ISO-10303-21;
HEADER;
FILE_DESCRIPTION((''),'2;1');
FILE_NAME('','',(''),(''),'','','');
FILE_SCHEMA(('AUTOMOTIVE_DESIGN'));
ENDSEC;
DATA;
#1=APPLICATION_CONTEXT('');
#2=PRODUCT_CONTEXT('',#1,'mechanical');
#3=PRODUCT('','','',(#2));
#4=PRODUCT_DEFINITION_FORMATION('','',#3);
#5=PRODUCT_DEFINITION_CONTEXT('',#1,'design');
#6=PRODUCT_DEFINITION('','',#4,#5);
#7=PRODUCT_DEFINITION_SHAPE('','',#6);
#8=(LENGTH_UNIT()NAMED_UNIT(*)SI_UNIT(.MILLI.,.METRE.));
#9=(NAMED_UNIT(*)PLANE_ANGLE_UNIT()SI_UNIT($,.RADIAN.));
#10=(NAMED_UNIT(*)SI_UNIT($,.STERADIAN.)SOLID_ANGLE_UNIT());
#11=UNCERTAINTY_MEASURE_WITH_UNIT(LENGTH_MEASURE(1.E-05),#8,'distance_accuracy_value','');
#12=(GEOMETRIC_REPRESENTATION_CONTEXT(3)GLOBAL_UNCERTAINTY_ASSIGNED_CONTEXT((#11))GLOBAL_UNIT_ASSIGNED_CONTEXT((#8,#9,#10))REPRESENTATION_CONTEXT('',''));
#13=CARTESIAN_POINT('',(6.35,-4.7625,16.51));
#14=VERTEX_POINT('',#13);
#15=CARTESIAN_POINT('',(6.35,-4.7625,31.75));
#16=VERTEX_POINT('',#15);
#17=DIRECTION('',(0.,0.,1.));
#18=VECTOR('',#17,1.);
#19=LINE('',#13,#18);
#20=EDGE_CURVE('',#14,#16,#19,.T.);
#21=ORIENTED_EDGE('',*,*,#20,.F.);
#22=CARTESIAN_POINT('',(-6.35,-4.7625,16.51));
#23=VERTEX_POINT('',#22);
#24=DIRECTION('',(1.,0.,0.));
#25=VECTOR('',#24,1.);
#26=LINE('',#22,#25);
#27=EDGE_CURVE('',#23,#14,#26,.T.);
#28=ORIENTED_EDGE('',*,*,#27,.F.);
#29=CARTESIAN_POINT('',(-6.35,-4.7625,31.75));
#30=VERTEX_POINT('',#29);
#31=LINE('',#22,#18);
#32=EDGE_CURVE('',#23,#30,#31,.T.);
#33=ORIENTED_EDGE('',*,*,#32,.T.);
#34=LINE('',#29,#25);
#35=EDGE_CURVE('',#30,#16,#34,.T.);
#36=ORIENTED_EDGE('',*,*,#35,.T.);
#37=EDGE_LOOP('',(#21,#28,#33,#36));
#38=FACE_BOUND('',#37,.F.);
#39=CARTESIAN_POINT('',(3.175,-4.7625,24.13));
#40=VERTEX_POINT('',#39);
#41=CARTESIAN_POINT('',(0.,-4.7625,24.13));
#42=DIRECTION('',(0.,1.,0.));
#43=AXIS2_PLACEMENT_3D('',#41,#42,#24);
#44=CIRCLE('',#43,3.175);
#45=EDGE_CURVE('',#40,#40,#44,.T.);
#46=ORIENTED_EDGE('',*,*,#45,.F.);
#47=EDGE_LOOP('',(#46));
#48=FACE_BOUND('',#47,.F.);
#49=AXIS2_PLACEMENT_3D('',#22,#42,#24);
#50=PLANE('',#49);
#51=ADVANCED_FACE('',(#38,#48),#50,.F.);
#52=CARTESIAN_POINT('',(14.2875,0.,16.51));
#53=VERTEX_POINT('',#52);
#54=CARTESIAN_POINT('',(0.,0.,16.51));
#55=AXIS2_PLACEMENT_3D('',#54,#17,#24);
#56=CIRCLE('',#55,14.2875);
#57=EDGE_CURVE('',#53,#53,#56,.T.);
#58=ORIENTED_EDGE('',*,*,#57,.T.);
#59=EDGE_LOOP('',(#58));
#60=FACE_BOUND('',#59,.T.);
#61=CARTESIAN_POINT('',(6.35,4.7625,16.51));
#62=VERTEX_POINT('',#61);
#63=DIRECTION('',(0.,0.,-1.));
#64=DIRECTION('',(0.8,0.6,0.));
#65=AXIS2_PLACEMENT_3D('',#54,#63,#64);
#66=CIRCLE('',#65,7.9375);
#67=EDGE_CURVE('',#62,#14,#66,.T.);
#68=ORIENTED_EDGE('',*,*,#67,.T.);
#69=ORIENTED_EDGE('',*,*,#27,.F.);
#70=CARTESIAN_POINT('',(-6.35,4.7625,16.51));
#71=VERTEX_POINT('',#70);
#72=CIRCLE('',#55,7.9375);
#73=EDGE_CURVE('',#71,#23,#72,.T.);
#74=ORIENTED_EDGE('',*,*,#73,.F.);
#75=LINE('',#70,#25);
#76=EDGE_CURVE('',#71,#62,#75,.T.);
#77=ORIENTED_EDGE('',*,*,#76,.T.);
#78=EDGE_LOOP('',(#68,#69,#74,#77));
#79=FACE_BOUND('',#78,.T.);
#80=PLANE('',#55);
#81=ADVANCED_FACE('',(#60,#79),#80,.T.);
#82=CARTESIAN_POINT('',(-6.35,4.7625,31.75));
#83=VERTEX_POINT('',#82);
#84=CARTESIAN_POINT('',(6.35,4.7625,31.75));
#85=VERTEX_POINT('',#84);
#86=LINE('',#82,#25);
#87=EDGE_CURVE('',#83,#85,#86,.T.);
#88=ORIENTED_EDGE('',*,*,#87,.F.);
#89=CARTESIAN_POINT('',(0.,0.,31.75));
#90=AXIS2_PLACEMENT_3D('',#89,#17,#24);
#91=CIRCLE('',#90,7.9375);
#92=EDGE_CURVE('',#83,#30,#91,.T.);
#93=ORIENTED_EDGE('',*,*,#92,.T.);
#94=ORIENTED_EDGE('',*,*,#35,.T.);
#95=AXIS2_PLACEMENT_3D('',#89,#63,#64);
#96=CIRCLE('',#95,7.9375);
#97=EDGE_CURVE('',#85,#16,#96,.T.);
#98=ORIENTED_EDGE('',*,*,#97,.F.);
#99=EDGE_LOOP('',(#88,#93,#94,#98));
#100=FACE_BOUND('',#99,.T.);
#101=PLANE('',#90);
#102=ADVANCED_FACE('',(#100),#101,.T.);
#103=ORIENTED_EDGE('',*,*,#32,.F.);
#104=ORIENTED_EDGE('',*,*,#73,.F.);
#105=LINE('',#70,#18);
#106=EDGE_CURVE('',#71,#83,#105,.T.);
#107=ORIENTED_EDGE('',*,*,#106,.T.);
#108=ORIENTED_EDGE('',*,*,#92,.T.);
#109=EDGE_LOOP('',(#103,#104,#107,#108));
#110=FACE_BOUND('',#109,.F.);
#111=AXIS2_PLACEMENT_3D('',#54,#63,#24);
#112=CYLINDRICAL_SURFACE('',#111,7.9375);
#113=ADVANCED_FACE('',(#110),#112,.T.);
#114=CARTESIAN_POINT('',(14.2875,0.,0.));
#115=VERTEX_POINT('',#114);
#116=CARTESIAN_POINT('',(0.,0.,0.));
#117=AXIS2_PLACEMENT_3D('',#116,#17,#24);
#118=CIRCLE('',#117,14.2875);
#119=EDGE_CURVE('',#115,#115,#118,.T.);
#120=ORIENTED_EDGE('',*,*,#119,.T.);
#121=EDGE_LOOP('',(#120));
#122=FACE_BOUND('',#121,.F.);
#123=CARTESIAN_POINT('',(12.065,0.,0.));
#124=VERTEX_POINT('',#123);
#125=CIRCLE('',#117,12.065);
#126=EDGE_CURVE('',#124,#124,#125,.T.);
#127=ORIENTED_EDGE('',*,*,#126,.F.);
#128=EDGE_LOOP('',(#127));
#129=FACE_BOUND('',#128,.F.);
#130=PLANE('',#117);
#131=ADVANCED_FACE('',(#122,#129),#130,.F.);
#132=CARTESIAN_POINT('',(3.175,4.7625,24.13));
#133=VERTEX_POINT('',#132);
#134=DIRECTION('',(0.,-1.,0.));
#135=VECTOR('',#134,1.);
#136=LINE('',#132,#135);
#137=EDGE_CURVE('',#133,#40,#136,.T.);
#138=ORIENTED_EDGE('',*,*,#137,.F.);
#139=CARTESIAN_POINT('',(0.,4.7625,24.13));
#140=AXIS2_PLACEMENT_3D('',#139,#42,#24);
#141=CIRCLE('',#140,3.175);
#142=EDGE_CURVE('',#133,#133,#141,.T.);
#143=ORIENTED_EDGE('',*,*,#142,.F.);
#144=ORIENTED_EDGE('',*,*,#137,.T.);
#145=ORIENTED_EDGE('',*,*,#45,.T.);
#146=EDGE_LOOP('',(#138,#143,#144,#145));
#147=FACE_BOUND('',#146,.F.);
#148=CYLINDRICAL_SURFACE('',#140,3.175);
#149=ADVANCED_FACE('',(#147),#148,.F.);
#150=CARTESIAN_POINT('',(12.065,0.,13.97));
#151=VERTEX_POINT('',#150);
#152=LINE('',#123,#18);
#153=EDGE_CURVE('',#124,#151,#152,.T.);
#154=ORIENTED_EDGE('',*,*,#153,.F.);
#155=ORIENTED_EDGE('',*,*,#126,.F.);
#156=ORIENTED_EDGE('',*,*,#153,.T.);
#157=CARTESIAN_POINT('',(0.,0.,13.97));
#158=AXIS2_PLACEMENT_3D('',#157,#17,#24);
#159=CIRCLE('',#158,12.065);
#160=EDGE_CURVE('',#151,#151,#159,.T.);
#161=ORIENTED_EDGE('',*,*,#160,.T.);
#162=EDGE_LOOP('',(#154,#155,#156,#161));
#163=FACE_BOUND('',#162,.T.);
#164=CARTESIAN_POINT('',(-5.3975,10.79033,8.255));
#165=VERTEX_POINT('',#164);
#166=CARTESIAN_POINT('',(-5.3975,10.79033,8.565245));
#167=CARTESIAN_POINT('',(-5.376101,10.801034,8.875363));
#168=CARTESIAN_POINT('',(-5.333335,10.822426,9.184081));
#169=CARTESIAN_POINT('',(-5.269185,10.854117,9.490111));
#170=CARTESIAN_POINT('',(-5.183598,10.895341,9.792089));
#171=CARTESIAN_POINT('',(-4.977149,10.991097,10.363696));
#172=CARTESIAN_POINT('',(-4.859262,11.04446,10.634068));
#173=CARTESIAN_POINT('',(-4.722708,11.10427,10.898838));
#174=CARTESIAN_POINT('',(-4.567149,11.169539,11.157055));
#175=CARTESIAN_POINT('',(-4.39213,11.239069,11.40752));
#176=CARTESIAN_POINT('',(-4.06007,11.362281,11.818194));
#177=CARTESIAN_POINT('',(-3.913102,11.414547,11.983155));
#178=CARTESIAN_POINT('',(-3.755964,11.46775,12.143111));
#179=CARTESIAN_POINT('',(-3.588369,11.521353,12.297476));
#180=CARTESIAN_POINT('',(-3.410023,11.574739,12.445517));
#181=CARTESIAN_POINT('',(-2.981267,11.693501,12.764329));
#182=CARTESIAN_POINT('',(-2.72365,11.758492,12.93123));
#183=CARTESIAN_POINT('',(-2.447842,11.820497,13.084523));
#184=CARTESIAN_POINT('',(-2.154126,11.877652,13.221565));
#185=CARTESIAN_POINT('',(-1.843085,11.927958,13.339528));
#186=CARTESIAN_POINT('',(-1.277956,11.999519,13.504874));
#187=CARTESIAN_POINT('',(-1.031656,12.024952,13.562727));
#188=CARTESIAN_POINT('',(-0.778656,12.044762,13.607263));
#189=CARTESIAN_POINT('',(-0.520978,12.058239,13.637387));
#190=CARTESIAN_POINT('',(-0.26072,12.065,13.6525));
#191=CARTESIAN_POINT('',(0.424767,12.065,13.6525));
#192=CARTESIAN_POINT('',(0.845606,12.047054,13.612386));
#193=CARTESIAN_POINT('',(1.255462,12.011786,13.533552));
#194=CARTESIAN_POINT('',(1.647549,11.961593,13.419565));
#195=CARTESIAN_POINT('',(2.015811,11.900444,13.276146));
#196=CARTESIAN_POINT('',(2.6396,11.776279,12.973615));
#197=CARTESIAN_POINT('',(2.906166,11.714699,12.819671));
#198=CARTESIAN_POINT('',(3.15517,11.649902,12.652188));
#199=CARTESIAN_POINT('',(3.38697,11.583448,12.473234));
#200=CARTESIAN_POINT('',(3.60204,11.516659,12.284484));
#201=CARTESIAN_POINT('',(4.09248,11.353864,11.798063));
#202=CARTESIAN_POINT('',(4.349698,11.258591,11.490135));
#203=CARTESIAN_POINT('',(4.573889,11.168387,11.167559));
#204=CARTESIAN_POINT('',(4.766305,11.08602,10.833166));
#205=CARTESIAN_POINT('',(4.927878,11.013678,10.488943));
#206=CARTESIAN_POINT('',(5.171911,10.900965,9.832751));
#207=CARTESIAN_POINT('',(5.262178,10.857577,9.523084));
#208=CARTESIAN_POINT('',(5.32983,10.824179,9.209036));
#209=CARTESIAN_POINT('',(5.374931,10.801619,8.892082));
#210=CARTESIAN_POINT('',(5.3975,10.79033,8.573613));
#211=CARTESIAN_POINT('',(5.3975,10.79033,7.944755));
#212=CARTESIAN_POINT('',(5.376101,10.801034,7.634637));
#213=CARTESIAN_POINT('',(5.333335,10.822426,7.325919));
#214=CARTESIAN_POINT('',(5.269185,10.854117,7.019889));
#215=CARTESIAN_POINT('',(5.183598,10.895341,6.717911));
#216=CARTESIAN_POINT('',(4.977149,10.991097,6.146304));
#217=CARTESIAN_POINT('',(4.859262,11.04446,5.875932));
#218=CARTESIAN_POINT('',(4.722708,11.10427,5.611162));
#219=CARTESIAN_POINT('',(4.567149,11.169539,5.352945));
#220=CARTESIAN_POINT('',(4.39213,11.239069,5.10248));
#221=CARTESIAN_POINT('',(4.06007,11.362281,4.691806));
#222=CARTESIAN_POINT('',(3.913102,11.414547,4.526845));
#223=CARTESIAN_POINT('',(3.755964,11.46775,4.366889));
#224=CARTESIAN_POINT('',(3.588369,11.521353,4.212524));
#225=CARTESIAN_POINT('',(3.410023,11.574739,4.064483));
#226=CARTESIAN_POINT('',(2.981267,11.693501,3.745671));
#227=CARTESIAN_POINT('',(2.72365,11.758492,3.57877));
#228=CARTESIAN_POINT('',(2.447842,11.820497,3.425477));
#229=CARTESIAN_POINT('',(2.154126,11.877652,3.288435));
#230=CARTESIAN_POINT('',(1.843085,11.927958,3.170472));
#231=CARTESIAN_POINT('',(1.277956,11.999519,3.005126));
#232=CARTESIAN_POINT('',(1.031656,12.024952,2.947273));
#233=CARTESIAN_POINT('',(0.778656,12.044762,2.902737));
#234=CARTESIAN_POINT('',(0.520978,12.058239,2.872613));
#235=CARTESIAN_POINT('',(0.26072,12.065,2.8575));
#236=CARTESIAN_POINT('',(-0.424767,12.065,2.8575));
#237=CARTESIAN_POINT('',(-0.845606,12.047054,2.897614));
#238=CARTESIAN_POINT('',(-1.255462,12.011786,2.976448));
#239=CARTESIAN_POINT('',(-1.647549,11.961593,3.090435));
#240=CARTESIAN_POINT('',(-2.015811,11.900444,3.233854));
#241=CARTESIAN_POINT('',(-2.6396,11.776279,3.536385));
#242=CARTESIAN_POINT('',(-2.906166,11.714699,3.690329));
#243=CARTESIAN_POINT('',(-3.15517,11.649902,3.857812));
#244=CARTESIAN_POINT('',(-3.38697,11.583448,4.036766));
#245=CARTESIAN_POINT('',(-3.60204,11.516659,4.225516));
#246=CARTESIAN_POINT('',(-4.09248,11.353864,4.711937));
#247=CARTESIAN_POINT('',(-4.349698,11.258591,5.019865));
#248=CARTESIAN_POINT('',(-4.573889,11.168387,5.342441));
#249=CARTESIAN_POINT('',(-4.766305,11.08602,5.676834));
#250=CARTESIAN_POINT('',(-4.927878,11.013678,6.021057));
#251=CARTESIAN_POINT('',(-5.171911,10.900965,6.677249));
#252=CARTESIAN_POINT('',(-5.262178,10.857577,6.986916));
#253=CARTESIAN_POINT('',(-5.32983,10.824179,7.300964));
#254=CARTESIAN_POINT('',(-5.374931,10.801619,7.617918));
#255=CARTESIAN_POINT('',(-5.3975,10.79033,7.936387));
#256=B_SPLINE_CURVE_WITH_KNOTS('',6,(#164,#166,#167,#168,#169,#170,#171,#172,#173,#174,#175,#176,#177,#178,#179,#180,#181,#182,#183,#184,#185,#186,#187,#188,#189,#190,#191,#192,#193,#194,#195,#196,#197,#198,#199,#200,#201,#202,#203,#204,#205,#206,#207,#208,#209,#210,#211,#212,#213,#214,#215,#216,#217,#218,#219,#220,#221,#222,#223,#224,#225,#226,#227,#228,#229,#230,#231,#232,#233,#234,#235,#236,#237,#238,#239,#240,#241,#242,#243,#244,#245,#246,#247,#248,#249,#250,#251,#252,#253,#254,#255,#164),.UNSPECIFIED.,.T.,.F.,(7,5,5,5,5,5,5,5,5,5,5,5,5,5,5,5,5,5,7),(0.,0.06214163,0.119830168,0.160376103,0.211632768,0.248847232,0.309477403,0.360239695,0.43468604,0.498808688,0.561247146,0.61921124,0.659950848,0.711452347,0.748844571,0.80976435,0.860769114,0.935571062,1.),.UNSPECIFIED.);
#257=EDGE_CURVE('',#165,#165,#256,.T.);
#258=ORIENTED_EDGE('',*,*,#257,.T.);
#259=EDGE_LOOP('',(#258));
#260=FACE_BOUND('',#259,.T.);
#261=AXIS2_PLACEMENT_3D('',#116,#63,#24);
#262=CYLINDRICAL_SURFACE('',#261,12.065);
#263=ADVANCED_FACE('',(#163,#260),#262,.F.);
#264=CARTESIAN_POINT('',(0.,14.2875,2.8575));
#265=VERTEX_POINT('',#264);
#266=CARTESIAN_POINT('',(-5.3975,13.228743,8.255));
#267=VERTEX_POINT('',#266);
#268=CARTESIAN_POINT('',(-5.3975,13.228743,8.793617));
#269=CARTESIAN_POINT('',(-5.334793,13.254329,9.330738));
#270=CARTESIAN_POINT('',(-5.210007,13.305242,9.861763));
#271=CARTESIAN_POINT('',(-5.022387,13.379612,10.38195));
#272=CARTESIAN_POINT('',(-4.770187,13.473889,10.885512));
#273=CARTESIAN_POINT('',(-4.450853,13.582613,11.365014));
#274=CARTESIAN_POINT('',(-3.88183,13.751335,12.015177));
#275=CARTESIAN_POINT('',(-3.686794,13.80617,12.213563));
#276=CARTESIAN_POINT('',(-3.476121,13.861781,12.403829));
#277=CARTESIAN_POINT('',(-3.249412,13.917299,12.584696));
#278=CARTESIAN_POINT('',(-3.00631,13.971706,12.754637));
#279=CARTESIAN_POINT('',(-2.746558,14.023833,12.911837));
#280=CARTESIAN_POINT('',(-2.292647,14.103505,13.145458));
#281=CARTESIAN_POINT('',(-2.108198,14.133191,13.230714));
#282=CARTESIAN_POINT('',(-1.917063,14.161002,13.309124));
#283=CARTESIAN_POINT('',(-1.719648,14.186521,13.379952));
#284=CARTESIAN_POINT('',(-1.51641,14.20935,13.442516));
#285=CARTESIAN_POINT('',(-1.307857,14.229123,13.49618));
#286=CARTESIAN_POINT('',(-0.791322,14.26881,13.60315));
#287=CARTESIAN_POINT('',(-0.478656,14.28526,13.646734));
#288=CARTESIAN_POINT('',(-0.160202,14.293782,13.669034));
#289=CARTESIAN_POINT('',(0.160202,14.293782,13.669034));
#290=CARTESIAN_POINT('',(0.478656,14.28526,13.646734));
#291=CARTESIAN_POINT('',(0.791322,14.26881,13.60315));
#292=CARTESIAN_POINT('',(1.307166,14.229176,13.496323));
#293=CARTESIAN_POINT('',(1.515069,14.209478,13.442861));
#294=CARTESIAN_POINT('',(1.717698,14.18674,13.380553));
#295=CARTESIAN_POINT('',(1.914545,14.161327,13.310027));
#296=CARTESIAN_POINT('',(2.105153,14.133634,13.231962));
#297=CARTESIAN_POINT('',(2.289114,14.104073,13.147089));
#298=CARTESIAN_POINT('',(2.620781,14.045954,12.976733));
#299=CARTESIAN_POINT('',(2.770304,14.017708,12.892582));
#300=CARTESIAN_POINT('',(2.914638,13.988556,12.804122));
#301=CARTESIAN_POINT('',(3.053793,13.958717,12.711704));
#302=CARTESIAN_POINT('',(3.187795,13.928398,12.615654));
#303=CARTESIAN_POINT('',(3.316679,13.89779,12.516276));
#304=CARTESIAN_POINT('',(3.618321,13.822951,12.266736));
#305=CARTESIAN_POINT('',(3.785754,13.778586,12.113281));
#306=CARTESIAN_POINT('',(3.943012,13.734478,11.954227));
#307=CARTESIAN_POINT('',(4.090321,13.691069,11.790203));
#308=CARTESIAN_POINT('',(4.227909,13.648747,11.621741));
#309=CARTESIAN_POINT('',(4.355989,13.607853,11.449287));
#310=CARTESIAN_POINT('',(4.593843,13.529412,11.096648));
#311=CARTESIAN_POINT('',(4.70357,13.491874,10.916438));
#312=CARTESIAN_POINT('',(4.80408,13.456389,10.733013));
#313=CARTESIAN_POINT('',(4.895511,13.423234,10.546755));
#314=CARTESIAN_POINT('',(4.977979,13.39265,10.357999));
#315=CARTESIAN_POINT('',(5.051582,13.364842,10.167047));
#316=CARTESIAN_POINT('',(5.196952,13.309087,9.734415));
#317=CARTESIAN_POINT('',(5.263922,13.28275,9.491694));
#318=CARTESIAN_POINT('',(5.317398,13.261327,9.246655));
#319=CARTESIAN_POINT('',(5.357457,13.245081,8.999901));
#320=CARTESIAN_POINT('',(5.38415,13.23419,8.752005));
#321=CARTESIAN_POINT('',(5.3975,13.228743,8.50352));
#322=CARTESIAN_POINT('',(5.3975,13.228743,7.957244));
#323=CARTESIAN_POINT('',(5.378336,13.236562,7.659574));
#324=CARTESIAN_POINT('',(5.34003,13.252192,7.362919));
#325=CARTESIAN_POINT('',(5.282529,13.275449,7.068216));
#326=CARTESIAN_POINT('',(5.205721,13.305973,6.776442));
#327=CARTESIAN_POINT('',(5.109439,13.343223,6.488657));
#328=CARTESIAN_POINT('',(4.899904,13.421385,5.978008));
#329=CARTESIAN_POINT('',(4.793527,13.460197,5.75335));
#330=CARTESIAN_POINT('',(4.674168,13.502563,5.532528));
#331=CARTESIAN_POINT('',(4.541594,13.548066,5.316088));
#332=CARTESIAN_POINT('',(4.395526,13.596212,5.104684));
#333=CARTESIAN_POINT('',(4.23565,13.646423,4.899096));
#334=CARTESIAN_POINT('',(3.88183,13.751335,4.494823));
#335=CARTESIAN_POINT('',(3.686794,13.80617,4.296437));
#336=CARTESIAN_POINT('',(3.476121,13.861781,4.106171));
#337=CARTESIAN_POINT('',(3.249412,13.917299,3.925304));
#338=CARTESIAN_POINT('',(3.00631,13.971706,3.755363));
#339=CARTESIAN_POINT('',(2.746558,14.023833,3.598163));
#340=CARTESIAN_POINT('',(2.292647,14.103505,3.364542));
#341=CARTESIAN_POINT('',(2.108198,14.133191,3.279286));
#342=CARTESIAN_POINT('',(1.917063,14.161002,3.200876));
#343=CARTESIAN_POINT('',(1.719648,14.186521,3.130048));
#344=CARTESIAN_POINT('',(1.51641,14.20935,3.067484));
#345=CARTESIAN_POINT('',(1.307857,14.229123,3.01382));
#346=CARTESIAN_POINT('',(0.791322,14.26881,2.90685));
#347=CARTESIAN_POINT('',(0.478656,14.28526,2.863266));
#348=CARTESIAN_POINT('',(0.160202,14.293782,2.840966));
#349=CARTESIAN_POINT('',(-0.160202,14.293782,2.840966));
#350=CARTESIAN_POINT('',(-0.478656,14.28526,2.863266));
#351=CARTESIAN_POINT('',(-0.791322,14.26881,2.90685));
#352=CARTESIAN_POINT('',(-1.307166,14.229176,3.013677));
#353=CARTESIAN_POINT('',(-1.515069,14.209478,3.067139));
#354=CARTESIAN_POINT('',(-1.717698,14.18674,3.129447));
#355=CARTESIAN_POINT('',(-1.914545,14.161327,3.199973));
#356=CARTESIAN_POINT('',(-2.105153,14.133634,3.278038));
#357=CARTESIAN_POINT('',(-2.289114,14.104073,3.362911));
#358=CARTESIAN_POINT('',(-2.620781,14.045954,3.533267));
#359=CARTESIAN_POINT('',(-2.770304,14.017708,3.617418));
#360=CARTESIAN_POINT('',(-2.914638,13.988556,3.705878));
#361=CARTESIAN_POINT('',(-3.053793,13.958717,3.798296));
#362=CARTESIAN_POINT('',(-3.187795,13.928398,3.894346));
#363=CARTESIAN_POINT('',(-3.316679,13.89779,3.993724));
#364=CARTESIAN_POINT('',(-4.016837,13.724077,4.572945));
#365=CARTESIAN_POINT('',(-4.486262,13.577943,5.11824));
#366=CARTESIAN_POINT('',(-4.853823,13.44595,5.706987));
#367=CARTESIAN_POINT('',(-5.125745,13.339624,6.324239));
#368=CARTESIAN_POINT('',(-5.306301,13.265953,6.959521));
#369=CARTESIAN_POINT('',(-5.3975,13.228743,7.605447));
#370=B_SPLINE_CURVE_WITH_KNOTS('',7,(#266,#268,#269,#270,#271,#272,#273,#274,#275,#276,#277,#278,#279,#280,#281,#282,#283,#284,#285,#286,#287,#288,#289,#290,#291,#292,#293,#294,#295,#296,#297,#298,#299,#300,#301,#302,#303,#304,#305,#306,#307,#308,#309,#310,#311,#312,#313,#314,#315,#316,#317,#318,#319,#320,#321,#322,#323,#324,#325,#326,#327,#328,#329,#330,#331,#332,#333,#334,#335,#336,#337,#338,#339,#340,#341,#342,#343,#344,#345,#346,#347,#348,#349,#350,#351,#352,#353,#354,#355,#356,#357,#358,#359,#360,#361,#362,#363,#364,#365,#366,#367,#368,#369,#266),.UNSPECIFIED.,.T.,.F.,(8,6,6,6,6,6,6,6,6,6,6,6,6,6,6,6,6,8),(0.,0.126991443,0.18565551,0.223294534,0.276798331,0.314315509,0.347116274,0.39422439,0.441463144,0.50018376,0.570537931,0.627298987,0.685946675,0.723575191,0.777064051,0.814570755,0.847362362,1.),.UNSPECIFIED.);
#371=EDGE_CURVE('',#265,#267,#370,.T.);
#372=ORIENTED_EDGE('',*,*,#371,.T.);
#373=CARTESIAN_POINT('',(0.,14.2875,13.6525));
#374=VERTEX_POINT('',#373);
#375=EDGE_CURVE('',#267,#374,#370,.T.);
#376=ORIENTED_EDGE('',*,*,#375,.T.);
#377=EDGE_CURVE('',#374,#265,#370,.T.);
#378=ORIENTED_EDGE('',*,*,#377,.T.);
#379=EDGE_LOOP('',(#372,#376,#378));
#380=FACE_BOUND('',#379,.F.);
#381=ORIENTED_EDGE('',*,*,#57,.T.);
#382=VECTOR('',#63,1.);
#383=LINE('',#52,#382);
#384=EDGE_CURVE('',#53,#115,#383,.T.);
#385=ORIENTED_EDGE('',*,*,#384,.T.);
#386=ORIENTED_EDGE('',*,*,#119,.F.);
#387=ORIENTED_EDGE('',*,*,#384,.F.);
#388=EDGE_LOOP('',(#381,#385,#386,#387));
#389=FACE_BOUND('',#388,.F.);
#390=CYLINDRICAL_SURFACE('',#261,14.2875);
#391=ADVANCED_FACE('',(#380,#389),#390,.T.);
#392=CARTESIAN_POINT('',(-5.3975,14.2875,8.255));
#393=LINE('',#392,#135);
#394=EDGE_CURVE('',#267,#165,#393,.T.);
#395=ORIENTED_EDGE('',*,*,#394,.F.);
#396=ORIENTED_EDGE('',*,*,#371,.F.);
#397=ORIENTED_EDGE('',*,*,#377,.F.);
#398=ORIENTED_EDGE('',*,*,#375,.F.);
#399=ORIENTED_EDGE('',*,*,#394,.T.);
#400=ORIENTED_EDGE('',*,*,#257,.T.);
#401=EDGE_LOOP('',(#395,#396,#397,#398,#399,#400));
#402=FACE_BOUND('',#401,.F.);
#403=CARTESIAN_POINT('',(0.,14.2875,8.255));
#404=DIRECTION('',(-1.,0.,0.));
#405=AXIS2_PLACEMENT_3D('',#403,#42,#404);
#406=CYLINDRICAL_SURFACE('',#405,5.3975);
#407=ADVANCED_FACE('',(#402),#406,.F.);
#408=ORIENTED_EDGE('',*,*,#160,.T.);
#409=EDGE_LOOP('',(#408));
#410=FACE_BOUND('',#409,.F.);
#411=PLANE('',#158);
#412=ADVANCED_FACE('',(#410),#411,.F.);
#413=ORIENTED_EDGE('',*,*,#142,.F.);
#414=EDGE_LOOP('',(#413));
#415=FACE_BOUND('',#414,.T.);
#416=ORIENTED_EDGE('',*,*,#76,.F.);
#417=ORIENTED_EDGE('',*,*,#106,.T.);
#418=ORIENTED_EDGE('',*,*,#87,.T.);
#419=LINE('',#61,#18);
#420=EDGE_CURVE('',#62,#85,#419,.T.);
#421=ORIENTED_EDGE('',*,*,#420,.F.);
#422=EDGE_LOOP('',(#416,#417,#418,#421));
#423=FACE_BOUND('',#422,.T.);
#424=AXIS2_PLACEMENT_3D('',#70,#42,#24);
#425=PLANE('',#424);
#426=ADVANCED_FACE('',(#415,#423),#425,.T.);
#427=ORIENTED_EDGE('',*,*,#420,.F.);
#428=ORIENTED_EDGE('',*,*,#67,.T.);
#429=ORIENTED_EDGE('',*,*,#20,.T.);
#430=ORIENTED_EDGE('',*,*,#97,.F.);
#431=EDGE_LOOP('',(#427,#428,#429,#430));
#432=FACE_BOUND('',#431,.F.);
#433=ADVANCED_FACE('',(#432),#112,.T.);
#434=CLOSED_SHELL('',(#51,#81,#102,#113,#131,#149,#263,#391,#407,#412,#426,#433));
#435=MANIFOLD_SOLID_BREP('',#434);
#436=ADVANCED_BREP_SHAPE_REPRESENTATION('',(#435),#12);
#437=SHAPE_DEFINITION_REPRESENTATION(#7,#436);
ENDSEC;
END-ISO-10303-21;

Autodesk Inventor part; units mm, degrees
ref_plane "YZ Plane" through (0, 0, 0) normal (1, 0, 0) x (0, 1, 0)
ref_plane "XY Plane" through (0, 0, 0) normal (0, 0, 1) x (1, 0, 0)
sketch "Sketch1" plane through (0, 0, 0) normal (0, 0, 1) x (1, 0, 0)
  circle A0 centre (0, 0) radius 14.2875
  circle A1 centre (0, 0) radius 12.065
  dimension "d0" = 28.575
  dimension "d1" = 24.13
extrude "Extrusion1" add sketch "Sketch1" along normal blind 13.97
sketch "Sketch2" plane through (0, 0, 13.97) normal (0, 0, 1) x (1, 0, 0)
  circle A0 centre (0, 0) radius 14.2875 projected
extrude "Extrusion2" add sketch "Sketch2" along normal blind 2.54
sketch "Sketch3" plane through (0, 0, 16.51) normal (0, 0, 1) x (1, 0, 0)
  circle A0 centre (0, 0) radius 14.2875 projected
  circle A1 centre (0, 0) radius 7.9375
  line L0 (-6.35, -4.7625) -> (6.35, -4.7625)
  line L1 (-6.35, 4.7625) -> (6.35, 4.7625)
  dimension "d6" = 15.875
  dimension "d7" = 9.525
  dimension "d8" = 0
  dimension "d9" = 0
extrude "Extrusion3" add sketch "Sketch3" along normal blind 15.24 contours A1 L0 L1
thread "Thread1" size "5/8-11 UNC" class "2A" standard "ANSI Unified Screw Threads" full length
thread "Thread2" size "5/8-11 UNC" class "2A" standard "ANSI Unified Screw Threads" full length
sketch "Sketch4" plane through (-6.35, 4.7625, 16.51) normal (0, 1, 0) x (1, 0, 0)
  circle A0 centre (6.35, -7.62) radius 3.175
  point P0 (6.35, 16.51)
  dimension "d16" = 6.35
extrude "Extrusion4" cut sketch "Sketch4" against normal blind 15.24
ref_plane "Work Plane1" through (0, 14.2875, 0) normal (0, 1, 0) x (-1, 0, 0)
sketch "Sketch5" plane through (0, 14.2875, 0) normal (0, 1, 0) x (-1, 0, 0)
  line L0 (-14.2875, 16.51) -> (14.2875, 16.51) projected
  line L1 (-14.2875, 0) -> (14.2875, 0) projected
  circle A0 centre (0, 8.255) radius 5.3975
  point P0 (0, 0)
  dimension "d20" = 10.795
  dimension "d23" = 8.255
  dimension "d24" = 8.255
extrude "Extrusion5" cut sketch "Sketch5" against normal blind 15.24
properties part number "1in Actuator Bottom Cap 1764"
